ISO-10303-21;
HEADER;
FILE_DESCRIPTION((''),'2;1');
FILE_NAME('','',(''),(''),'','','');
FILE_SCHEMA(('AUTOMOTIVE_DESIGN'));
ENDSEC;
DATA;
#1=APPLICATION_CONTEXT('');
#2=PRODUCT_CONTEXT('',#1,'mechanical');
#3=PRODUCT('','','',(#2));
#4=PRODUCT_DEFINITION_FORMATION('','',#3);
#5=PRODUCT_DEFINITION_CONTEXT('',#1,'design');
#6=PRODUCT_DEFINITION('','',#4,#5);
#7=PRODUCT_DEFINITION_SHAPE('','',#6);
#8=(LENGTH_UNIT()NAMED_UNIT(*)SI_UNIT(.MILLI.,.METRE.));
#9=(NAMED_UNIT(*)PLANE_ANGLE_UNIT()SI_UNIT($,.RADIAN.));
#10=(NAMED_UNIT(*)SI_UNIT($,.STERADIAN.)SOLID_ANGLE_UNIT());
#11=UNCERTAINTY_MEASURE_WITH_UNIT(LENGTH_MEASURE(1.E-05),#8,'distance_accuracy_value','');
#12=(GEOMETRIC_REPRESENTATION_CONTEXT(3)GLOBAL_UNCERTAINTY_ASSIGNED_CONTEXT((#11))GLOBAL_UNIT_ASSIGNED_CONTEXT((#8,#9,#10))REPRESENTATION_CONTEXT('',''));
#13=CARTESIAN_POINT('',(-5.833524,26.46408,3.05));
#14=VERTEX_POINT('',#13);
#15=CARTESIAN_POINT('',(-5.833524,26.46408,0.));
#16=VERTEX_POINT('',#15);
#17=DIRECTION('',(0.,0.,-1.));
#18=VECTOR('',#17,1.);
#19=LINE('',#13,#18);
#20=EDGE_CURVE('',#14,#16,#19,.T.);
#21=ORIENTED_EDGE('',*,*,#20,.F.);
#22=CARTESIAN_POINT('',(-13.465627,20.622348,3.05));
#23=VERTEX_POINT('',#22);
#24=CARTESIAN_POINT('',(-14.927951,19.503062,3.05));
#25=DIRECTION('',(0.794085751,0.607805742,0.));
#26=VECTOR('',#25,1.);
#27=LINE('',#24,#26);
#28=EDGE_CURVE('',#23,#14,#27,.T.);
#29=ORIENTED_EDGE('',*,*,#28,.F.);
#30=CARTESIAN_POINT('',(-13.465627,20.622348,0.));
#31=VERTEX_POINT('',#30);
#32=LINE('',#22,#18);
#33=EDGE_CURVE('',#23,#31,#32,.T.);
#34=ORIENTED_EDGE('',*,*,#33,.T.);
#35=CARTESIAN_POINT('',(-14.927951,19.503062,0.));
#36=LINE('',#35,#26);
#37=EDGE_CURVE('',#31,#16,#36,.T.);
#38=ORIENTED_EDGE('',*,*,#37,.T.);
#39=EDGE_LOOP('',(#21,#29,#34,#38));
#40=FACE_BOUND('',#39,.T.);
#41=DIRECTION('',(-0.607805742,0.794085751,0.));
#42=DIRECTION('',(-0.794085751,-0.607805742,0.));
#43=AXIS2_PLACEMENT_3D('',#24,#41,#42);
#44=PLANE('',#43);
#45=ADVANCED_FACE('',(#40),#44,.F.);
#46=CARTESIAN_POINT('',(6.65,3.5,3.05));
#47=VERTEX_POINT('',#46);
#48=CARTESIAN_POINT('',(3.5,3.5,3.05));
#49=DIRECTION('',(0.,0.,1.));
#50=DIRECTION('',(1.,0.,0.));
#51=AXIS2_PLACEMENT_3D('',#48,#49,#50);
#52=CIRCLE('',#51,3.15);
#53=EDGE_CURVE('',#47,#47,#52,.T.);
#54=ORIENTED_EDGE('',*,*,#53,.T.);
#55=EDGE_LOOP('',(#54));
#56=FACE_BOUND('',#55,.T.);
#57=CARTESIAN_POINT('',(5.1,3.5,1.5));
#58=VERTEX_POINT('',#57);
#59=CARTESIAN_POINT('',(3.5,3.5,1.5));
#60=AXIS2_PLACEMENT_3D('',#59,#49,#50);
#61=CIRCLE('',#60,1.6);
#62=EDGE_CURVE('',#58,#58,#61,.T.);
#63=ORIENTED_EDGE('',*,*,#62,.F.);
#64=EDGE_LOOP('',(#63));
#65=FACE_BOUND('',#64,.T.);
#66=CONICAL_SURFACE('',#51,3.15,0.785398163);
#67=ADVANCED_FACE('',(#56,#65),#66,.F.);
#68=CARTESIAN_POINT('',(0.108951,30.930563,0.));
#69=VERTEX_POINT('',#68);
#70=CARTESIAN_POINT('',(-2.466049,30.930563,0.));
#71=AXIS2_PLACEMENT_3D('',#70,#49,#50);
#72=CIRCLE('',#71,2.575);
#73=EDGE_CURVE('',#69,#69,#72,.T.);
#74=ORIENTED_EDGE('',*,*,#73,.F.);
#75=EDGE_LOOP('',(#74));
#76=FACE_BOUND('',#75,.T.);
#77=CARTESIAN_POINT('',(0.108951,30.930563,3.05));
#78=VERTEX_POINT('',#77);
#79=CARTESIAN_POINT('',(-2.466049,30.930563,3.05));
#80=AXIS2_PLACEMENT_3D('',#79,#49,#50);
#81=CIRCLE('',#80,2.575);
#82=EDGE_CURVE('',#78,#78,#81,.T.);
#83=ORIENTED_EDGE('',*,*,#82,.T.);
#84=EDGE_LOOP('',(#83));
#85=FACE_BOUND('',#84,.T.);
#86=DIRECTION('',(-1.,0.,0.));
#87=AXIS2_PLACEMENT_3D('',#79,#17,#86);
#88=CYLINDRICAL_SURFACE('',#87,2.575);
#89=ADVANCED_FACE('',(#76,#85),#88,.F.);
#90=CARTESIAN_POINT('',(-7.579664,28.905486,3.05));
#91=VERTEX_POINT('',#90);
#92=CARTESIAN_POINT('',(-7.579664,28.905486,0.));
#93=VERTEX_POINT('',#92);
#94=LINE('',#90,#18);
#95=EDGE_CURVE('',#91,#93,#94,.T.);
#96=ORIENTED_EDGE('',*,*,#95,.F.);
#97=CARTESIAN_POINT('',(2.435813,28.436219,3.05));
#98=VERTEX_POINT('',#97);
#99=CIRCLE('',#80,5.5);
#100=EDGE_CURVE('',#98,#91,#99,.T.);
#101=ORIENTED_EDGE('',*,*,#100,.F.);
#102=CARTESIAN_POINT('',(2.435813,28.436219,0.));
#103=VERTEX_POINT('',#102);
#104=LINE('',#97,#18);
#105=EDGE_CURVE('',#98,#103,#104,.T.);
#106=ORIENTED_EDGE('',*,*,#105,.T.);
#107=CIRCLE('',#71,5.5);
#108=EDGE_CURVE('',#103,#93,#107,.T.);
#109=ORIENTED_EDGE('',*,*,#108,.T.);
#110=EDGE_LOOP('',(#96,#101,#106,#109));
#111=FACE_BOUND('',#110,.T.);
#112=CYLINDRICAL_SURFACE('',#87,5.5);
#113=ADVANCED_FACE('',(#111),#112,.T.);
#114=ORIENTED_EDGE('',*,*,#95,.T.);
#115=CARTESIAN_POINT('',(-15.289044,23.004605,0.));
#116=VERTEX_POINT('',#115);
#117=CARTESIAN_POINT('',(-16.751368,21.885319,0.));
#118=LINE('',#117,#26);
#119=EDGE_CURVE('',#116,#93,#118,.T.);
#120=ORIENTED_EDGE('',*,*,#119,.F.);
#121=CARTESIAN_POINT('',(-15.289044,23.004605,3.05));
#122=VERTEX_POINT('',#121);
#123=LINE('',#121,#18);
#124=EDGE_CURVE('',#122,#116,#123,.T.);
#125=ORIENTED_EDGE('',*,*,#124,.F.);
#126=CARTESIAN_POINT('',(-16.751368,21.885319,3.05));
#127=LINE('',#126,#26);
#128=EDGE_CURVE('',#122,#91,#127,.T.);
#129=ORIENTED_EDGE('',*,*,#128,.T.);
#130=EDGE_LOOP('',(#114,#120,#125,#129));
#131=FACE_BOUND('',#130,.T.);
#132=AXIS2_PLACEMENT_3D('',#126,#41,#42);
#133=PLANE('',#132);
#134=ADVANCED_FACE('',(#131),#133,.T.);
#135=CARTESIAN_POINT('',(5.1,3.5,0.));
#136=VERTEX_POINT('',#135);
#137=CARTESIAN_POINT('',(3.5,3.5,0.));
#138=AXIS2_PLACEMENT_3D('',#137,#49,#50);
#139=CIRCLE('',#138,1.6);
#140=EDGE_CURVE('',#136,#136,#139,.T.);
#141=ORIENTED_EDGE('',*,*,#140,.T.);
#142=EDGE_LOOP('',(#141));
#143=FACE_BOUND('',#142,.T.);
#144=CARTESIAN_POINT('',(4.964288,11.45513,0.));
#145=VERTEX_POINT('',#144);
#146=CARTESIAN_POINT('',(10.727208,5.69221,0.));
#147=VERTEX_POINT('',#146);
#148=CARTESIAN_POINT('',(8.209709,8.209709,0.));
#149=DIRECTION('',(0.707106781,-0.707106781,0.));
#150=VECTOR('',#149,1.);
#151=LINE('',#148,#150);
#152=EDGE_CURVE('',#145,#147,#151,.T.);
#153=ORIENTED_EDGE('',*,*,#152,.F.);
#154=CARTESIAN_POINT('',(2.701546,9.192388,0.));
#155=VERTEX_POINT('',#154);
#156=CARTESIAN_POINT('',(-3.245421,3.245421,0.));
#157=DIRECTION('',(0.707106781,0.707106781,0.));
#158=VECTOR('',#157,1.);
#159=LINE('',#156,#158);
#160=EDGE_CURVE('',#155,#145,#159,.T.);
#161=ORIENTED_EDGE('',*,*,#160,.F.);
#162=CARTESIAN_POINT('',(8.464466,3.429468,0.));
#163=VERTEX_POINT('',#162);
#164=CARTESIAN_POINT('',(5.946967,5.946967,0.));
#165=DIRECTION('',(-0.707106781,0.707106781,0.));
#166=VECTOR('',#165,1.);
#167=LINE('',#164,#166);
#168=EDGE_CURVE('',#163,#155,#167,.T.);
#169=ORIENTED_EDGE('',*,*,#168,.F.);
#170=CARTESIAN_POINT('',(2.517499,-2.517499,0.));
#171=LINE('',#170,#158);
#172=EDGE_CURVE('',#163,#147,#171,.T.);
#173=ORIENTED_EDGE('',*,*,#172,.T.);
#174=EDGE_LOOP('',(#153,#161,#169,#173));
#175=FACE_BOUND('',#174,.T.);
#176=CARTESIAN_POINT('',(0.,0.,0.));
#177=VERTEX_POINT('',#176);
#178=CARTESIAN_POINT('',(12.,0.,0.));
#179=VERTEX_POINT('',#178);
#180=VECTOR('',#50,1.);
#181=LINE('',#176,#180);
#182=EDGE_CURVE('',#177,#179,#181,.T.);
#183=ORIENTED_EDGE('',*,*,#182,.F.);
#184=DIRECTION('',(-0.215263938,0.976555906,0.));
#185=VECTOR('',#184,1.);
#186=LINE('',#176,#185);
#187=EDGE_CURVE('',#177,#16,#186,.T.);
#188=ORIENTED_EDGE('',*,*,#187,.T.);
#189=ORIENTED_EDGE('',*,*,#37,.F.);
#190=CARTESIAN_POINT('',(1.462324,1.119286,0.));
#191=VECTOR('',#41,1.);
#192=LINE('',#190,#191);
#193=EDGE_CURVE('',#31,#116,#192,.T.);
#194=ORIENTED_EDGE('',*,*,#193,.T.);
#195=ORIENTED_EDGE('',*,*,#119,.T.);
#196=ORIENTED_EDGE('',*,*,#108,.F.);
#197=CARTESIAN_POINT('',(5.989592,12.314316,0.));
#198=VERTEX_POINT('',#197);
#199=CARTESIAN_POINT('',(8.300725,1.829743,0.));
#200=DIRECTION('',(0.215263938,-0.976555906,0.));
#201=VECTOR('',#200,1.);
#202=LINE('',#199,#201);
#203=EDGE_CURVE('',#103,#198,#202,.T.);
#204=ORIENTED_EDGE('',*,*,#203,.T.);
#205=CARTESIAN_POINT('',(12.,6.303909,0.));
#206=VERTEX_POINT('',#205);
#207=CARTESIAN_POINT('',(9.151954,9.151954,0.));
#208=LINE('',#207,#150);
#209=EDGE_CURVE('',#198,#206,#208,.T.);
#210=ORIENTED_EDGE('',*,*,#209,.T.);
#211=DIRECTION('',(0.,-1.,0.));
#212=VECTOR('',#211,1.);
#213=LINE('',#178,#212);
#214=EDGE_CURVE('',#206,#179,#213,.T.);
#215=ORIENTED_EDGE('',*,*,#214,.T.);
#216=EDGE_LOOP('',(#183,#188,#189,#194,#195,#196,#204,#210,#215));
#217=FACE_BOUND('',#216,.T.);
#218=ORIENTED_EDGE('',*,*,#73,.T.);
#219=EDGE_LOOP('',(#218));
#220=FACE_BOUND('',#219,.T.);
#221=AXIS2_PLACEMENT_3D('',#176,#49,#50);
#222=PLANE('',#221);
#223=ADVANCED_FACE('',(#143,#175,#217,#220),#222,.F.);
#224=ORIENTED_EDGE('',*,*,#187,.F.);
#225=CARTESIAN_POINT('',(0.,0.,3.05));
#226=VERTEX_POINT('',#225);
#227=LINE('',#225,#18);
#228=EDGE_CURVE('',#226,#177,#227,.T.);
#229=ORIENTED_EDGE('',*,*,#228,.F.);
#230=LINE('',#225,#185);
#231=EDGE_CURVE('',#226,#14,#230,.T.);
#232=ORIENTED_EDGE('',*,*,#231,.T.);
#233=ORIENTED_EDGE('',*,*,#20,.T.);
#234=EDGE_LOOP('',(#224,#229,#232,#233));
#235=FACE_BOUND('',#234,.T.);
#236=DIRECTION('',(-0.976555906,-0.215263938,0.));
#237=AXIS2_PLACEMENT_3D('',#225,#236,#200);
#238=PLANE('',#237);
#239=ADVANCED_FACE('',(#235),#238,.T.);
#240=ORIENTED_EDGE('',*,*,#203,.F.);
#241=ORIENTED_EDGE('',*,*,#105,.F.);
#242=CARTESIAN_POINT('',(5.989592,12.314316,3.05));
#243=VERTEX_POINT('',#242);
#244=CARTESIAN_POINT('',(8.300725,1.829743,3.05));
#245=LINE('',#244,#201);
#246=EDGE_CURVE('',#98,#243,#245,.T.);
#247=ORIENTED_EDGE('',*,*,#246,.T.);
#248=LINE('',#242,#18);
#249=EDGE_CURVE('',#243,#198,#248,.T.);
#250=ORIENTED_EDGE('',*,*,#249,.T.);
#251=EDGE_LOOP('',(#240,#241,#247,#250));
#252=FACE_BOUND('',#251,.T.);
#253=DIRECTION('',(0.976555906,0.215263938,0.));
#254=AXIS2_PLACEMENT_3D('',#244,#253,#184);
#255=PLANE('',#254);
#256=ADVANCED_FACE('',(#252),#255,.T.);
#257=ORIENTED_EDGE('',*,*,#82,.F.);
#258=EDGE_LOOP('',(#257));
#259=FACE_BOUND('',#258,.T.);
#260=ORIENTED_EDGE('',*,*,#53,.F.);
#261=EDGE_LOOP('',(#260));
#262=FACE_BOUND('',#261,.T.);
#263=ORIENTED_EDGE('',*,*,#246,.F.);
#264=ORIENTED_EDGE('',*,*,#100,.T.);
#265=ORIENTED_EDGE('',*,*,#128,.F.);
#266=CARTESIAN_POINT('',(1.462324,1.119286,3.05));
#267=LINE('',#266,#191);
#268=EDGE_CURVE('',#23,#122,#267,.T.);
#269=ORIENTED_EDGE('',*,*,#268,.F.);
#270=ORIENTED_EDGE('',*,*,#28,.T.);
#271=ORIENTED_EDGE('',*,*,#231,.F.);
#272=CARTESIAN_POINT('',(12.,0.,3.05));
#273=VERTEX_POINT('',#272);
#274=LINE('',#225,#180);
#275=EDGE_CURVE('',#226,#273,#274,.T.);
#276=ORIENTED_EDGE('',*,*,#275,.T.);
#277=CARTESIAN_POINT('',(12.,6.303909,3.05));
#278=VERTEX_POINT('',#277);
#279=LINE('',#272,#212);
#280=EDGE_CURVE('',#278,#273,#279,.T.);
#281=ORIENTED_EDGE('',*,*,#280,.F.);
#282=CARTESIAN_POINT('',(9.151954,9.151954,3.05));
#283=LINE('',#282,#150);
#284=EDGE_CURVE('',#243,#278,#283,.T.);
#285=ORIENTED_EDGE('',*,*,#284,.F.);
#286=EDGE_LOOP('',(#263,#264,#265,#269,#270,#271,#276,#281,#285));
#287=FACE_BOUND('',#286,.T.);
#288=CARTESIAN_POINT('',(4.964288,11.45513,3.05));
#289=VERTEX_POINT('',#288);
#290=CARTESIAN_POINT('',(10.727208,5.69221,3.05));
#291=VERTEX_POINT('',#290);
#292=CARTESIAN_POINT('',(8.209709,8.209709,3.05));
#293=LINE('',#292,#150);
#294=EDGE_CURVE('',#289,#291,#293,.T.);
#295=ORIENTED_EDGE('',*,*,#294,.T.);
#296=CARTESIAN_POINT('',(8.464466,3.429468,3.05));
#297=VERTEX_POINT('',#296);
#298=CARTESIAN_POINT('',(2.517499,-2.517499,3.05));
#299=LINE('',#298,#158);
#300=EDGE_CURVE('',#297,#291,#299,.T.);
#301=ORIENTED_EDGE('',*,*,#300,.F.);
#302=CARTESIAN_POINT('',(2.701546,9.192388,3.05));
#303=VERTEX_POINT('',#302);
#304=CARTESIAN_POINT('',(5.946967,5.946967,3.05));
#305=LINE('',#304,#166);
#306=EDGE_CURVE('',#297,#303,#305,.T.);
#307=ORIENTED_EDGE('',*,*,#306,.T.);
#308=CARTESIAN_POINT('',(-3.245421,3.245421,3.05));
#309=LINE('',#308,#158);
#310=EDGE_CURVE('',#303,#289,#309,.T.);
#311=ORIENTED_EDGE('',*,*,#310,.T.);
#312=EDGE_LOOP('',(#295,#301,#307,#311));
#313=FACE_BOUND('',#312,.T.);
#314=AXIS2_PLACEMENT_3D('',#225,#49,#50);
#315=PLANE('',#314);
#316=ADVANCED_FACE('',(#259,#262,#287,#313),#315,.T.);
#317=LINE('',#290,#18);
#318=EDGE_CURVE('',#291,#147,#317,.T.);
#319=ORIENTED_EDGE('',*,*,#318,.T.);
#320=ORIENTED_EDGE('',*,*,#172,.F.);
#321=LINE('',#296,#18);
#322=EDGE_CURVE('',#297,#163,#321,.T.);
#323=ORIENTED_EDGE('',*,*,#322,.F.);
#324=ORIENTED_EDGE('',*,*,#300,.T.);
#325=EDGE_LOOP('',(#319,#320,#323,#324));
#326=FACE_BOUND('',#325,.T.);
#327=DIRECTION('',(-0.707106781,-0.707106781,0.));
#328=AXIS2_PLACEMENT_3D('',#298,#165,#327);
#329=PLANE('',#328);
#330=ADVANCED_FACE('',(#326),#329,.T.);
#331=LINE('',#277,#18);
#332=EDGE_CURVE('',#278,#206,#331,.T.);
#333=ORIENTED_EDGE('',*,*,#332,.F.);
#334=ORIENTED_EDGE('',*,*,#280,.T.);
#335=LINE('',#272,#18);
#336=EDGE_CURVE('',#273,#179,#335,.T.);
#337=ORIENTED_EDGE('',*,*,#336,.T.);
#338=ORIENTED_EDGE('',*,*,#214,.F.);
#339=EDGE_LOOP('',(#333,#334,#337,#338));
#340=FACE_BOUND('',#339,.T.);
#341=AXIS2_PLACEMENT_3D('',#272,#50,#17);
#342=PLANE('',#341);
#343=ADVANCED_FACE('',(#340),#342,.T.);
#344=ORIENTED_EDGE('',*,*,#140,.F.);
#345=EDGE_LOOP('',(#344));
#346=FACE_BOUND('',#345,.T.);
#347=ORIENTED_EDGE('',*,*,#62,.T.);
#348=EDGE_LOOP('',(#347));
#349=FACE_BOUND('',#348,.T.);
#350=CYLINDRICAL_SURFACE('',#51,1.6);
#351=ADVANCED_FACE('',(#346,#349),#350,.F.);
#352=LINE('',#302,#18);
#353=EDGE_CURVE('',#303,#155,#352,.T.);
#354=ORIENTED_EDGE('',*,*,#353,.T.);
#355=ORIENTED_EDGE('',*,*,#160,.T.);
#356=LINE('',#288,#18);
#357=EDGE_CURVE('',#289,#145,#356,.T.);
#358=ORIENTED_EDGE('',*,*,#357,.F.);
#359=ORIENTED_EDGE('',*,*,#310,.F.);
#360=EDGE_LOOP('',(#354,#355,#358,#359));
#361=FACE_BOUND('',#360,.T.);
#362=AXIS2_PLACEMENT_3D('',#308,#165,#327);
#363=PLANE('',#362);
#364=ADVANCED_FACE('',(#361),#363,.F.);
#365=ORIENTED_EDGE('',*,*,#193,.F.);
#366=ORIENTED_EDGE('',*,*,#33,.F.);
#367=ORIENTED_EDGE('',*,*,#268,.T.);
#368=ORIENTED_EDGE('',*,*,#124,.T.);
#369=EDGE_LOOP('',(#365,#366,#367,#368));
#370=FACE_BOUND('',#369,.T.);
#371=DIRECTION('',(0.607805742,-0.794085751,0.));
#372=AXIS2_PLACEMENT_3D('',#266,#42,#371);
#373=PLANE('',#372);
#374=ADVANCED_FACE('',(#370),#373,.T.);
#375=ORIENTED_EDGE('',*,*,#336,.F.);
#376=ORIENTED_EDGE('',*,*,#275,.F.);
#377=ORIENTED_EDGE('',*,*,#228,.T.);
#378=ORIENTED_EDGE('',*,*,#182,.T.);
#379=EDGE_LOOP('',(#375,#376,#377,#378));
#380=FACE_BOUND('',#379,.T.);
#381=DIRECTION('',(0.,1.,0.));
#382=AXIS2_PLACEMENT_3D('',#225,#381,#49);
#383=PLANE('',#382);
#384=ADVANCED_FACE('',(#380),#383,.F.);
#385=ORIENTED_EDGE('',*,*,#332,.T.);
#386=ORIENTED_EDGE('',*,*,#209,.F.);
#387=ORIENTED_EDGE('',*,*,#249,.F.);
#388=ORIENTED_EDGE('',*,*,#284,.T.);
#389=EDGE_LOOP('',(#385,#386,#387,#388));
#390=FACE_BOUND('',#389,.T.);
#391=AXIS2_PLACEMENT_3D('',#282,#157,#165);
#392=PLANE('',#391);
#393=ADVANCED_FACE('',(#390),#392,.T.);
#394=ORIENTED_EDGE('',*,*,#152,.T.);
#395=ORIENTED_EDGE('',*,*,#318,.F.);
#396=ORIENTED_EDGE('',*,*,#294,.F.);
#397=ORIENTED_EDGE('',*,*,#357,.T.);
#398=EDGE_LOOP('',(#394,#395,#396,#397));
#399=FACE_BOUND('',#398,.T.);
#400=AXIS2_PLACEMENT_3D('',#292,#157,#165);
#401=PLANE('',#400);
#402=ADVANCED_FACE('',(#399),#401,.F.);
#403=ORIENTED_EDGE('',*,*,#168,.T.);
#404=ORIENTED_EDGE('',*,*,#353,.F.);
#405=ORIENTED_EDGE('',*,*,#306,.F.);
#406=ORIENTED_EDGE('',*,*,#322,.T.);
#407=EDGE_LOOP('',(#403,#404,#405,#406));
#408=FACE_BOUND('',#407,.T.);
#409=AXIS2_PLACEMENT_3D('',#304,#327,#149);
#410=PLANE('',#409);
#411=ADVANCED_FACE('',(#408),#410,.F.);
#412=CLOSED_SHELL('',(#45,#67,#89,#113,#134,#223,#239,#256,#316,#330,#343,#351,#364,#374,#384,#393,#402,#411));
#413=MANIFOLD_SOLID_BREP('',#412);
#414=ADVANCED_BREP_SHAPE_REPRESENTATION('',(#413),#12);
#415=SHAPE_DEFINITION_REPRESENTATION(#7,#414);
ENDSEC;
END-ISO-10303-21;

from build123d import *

# Parameters (mm, degrees)
SKETCH1_R           = 1.5
SKETCH1_R_2         = 2.575
BOSS_EXTRUDE1_DEPTH = 3.05


with BuildPart() as part:
    # Sketch1 → Boss-Extrude1 (new body)
    with BuildSketch(Plane.XY):
        with BuildLine():
            Line((5.98959236, 12.314316255), (2.43581293, 28.4362191))
            ThreePointArc((2.43581293, 28.4362191), (-2.208633676, 36.424535456), (-7.57966444, 28.905485582))
            Line((-7.57966444, 28.905485582), (-15.289043869, 23.004605125))
            Line((-15.289043869, 23.004605125), (-13.465626641, 20.622347873))
            Line((-13.465626641, 20.622347873), (-5.833523684, 26.464079701))
            Line((-5.833523684, 26.464079701), (0, 0))
            Line((0, 0), (12, 0))
            Line((12, 0), (12, 6.303908615))
            Line((12, 6.303908615), (5.98959236, 12.314316255))
        make_face()
        with Locations((3.5, 3.5)):
            Circle(SKETCH1_R, mode=Mode.SUBTRACT)
        Polygon((10.727207794, 5.692209589), (8.517499103, 3.482500897), (8.464466094, 3.429467889), (2.701545827, 9.192388155), (4.964287527, 11.455129855), align=None, mode=Mode.SUBTRACT)
        with Locations((-2.466048994, 30.930562636)):
            Circle(SKETCH1_R_2, mode=Mode.SUBTRACT)
    extrude(amount=BOSS_EXTRUDE1_DEPTH)

    # Sketch3 → CSK for M3 Flat Head Machine Screw1 (revolve, cut)
    with BuildSketch(Plane(origin=(3.5, 3.5, 3.05), x_dir=(0, -1, 0), z_dir=(1, 0, 0))):
        Polygon((0, 0), (0, 3.05), (1.6, 3.05), (1.6, 1.55), (3.15, 0), align=None)
    revolve(axis=Axis((3.5, 3.5, 9.4), (0, 0, -1)), mode=Mode.SUBTRACT)


solid = part.part
